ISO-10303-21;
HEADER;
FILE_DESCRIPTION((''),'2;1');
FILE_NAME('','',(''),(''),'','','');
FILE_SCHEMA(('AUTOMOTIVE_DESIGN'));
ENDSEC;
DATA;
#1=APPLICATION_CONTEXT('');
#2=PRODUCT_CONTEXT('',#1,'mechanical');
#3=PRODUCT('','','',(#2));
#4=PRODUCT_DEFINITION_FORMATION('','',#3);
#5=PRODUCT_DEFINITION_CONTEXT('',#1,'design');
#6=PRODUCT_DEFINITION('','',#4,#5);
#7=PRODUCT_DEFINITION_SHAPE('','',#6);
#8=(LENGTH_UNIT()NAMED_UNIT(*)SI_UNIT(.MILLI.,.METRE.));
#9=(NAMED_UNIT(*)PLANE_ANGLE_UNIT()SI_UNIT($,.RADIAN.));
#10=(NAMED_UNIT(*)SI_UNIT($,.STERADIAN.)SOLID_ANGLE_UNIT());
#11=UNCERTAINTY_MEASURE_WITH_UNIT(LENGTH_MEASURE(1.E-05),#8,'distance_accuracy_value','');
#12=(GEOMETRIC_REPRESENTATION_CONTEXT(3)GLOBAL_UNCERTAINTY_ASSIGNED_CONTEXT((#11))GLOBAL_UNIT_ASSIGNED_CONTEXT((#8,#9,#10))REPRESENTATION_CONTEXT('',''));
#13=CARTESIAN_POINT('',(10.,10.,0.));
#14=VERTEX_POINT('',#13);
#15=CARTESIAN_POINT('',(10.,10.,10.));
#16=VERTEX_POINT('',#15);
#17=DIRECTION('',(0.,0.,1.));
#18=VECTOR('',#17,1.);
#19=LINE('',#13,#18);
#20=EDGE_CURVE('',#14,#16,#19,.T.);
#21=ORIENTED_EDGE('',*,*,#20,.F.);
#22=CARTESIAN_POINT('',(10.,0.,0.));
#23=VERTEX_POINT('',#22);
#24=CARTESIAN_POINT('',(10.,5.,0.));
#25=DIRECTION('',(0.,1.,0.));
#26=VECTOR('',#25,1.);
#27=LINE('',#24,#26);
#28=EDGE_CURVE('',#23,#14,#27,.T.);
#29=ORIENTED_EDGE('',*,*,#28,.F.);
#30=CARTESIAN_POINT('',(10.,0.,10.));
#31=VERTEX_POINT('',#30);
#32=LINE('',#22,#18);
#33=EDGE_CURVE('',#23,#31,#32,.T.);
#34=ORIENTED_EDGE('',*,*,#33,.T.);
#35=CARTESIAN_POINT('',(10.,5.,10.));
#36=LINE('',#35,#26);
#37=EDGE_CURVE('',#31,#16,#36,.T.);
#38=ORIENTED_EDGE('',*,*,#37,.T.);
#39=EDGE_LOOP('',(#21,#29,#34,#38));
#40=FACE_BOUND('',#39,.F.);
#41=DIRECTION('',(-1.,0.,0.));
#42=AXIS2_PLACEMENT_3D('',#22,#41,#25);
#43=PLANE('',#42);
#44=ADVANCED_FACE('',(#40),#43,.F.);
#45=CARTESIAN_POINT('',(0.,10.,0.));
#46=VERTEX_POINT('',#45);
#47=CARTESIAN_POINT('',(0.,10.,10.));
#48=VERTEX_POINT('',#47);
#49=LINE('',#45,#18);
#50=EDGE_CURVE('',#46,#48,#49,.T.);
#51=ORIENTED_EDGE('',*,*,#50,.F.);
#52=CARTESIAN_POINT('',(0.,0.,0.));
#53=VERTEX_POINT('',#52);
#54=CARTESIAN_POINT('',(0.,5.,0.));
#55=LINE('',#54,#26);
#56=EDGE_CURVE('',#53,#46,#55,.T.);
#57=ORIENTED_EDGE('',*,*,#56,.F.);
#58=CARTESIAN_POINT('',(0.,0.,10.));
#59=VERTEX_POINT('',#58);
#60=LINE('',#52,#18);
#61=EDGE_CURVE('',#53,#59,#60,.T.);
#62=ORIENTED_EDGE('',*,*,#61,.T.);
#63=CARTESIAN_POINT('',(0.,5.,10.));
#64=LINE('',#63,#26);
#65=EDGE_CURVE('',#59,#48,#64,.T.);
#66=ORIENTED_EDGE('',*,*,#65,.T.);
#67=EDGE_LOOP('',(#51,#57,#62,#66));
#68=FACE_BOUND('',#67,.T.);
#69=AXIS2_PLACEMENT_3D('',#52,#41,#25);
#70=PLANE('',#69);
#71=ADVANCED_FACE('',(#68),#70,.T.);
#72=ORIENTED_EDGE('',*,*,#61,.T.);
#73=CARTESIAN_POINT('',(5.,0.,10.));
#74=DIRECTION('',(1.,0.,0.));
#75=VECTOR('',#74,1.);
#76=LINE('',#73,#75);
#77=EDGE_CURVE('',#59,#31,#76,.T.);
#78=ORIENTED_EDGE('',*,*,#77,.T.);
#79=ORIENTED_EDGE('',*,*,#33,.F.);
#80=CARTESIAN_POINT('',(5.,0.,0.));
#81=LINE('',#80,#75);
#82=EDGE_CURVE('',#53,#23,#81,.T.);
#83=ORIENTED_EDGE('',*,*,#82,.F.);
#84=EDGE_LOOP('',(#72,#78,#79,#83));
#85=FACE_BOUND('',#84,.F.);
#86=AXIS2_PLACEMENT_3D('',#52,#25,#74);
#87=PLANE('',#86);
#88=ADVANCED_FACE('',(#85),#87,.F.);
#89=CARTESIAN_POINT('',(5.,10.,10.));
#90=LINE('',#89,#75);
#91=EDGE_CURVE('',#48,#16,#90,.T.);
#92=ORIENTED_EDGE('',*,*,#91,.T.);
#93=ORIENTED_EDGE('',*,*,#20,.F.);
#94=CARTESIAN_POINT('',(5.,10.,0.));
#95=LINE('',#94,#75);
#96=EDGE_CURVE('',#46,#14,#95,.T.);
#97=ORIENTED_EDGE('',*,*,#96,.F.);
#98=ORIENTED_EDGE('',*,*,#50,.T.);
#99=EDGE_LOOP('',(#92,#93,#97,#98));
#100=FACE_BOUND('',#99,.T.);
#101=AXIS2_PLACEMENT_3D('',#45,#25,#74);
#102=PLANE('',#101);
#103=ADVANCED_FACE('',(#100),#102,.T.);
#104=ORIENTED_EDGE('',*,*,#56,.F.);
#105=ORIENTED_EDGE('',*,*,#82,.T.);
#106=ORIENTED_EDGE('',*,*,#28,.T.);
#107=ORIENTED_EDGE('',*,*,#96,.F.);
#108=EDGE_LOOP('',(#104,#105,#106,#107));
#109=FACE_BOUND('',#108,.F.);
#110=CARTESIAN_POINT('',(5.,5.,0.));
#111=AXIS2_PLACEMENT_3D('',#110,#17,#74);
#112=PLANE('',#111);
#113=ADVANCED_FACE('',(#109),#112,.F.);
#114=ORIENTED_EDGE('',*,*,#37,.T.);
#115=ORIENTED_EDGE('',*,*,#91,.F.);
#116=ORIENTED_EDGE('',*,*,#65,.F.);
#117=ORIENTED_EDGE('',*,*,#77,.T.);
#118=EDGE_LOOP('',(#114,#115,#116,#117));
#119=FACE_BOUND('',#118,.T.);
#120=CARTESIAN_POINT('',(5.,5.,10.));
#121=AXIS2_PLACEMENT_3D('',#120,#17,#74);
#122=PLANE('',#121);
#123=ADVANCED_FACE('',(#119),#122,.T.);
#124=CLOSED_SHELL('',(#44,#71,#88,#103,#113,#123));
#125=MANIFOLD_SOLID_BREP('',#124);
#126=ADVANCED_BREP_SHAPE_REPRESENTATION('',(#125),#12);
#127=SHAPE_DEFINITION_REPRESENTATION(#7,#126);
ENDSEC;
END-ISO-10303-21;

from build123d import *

# Parameters (mm, degrees)
SKETCH1_W           = 10
SKETCH1_H           = 10
BOSS_EXTRUDE1_DEPTH = 10


with BuildPart() as part:
    # Sketch1 → Boss-Extrude1 (new body)
    with BuildSketch(Plane.XY):
        with Locations((5, 5)):
            Rectangle(SKETCH1_W, SKETCH1_H)
    extrude(amount=BOSS_EXTRUDE1_DEPTH)


solid = part.part
